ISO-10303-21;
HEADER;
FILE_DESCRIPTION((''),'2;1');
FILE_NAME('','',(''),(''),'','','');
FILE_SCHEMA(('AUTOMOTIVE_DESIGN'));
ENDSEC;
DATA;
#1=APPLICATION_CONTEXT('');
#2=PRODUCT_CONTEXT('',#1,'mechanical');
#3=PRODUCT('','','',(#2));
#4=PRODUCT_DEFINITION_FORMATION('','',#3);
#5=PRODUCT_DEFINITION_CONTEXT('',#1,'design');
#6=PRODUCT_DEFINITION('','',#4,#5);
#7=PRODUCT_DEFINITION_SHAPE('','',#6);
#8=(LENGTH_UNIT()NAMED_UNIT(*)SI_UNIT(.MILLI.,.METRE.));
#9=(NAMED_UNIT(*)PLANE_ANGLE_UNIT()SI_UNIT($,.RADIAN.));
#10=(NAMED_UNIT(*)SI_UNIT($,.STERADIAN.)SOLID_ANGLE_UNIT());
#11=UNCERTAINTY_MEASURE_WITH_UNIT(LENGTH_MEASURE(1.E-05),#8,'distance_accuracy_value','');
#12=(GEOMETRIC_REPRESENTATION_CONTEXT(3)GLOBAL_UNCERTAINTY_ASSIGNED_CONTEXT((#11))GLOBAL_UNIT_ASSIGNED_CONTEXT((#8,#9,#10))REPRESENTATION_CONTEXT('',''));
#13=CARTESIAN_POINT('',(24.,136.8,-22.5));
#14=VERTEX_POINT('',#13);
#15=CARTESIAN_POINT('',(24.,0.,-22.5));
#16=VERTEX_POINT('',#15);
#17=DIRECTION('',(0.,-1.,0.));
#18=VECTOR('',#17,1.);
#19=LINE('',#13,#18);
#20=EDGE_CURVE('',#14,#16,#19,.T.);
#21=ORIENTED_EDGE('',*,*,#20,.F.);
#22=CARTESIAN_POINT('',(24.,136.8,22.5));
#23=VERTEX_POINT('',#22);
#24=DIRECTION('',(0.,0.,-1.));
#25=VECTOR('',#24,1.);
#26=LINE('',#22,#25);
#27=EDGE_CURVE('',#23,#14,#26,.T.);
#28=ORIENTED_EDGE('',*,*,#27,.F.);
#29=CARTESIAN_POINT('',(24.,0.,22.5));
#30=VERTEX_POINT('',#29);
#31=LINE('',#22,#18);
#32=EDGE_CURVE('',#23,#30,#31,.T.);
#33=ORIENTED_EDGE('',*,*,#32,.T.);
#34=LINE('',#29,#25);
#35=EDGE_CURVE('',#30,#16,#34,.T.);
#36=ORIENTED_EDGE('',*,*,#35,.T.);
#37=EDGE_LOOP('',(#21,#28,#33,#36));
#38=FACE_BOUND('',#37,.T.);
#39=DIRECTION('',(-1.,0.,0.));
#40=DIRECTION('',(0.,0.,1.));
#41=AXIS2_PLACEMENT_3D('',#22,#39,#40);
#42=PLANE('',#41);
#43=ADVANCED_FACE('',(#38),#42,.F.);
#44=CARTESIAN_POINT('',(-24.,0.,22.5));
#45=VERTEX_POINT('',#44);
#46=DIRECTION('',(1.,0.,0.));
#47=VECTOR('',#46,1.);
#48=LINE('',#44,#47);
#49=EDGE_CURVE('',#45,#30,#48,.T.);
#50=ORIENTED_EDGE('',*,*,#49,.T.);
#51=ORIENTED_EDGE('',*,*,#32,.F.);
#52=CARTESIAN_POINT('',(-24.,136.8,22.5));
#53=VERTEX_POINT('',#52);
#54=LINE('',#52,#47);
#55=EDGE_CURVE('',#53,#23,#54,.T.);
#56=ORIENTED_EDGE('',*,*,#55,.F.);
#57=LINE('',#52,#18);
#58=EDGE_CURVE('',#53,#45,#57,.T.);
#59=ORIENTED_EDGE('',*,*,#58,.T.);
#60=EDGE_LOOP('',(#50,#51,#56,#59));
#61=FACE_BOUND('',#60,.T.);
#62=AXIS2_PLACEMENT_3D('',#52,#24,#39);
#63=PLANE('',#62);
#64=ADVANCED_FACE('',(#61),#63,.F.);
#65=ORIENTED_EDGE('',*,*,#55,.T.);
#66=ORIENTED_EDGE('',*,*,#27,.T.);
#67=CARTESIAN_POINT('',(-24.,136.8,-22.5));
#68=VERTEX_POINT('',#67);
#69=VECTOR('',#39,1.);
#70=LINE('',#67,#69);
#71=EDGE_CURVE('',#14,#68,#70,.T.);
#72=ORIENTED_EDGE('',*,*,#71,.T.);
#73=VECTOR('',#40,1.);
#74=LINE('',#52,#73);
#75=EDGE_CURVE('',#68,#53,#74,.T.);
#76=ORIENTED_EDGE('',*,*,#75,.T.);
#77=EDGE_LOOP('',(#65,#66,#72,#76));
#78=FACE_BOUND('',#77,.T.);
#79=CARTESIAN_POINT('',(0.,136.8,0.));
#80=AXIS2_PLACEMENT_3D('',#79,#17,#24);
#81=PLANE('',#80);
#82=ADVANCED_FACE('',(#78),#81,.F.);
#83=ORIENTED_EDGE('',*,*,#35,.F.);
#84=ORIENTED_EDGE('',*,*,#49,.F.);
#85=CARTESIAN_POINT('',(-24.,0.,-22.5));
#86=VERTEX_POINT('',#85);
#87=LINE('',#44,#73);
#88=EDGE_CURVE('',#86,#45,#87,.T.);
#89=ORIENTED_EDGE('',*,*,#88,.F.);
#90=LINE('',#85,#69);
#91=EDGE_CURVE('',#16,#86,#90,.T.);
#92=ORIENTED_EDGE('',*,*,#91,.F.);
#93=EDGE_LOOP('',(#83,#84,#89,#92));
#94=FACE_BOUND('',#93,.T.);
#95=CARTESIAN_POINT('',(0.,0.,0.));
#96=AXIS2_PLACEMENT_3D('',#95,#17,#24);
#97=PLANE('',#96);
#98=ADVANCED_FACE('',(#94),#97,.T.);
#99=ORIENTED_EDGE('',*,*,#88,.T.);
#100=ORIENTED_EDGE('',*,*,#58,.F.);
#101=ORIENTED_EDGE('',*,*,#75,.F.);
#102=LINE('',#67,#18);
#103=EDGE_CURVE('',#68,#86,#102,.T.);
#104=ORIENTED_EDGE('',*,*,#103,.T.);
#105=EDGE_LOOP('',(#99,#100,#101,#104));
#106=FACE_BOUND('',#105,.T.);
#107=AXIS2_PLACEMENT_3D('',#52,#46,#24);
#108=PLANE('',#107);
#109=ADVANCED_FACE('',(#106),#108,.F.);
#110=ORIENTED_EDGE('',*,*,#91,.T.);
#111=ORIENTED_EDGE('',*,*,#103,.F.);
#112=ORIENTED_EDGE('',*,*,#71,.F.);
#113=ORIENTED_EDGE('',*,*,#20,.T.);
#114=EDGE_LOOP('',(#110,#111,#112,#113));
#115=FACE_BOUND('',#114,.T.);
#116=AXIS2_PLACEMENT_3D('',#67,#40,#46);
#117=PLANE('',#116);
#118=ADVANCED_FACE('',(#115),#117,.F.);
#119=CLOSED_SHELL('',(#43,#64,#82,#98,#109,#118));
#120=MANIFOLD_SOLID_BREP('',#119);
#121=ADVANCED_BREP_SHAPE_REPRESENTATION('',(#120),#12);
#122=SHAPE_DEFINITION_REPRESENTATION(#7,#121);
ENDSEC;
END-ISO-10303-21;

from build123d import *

# Parameters (mm, degrees)
SKETCH2_W           = 48
SKETCH2_H           = 45
BOSS_EXTRUDE1_DEPTH = 136.8


with BuildPart() as part:
    # Sketch2 → Boss-Extrude1 (new body)
    with BuildSketch(Plane(origin=(0, 0, 0), x_dir=(1, 0, 0), z_dir=(0, 1, 0))):
        Rectangle(SKETCH2_W, SKETCH2_H)
    extrude(amount=BOSS_EXTRUDE1_DEPTH)


solid = part.part
